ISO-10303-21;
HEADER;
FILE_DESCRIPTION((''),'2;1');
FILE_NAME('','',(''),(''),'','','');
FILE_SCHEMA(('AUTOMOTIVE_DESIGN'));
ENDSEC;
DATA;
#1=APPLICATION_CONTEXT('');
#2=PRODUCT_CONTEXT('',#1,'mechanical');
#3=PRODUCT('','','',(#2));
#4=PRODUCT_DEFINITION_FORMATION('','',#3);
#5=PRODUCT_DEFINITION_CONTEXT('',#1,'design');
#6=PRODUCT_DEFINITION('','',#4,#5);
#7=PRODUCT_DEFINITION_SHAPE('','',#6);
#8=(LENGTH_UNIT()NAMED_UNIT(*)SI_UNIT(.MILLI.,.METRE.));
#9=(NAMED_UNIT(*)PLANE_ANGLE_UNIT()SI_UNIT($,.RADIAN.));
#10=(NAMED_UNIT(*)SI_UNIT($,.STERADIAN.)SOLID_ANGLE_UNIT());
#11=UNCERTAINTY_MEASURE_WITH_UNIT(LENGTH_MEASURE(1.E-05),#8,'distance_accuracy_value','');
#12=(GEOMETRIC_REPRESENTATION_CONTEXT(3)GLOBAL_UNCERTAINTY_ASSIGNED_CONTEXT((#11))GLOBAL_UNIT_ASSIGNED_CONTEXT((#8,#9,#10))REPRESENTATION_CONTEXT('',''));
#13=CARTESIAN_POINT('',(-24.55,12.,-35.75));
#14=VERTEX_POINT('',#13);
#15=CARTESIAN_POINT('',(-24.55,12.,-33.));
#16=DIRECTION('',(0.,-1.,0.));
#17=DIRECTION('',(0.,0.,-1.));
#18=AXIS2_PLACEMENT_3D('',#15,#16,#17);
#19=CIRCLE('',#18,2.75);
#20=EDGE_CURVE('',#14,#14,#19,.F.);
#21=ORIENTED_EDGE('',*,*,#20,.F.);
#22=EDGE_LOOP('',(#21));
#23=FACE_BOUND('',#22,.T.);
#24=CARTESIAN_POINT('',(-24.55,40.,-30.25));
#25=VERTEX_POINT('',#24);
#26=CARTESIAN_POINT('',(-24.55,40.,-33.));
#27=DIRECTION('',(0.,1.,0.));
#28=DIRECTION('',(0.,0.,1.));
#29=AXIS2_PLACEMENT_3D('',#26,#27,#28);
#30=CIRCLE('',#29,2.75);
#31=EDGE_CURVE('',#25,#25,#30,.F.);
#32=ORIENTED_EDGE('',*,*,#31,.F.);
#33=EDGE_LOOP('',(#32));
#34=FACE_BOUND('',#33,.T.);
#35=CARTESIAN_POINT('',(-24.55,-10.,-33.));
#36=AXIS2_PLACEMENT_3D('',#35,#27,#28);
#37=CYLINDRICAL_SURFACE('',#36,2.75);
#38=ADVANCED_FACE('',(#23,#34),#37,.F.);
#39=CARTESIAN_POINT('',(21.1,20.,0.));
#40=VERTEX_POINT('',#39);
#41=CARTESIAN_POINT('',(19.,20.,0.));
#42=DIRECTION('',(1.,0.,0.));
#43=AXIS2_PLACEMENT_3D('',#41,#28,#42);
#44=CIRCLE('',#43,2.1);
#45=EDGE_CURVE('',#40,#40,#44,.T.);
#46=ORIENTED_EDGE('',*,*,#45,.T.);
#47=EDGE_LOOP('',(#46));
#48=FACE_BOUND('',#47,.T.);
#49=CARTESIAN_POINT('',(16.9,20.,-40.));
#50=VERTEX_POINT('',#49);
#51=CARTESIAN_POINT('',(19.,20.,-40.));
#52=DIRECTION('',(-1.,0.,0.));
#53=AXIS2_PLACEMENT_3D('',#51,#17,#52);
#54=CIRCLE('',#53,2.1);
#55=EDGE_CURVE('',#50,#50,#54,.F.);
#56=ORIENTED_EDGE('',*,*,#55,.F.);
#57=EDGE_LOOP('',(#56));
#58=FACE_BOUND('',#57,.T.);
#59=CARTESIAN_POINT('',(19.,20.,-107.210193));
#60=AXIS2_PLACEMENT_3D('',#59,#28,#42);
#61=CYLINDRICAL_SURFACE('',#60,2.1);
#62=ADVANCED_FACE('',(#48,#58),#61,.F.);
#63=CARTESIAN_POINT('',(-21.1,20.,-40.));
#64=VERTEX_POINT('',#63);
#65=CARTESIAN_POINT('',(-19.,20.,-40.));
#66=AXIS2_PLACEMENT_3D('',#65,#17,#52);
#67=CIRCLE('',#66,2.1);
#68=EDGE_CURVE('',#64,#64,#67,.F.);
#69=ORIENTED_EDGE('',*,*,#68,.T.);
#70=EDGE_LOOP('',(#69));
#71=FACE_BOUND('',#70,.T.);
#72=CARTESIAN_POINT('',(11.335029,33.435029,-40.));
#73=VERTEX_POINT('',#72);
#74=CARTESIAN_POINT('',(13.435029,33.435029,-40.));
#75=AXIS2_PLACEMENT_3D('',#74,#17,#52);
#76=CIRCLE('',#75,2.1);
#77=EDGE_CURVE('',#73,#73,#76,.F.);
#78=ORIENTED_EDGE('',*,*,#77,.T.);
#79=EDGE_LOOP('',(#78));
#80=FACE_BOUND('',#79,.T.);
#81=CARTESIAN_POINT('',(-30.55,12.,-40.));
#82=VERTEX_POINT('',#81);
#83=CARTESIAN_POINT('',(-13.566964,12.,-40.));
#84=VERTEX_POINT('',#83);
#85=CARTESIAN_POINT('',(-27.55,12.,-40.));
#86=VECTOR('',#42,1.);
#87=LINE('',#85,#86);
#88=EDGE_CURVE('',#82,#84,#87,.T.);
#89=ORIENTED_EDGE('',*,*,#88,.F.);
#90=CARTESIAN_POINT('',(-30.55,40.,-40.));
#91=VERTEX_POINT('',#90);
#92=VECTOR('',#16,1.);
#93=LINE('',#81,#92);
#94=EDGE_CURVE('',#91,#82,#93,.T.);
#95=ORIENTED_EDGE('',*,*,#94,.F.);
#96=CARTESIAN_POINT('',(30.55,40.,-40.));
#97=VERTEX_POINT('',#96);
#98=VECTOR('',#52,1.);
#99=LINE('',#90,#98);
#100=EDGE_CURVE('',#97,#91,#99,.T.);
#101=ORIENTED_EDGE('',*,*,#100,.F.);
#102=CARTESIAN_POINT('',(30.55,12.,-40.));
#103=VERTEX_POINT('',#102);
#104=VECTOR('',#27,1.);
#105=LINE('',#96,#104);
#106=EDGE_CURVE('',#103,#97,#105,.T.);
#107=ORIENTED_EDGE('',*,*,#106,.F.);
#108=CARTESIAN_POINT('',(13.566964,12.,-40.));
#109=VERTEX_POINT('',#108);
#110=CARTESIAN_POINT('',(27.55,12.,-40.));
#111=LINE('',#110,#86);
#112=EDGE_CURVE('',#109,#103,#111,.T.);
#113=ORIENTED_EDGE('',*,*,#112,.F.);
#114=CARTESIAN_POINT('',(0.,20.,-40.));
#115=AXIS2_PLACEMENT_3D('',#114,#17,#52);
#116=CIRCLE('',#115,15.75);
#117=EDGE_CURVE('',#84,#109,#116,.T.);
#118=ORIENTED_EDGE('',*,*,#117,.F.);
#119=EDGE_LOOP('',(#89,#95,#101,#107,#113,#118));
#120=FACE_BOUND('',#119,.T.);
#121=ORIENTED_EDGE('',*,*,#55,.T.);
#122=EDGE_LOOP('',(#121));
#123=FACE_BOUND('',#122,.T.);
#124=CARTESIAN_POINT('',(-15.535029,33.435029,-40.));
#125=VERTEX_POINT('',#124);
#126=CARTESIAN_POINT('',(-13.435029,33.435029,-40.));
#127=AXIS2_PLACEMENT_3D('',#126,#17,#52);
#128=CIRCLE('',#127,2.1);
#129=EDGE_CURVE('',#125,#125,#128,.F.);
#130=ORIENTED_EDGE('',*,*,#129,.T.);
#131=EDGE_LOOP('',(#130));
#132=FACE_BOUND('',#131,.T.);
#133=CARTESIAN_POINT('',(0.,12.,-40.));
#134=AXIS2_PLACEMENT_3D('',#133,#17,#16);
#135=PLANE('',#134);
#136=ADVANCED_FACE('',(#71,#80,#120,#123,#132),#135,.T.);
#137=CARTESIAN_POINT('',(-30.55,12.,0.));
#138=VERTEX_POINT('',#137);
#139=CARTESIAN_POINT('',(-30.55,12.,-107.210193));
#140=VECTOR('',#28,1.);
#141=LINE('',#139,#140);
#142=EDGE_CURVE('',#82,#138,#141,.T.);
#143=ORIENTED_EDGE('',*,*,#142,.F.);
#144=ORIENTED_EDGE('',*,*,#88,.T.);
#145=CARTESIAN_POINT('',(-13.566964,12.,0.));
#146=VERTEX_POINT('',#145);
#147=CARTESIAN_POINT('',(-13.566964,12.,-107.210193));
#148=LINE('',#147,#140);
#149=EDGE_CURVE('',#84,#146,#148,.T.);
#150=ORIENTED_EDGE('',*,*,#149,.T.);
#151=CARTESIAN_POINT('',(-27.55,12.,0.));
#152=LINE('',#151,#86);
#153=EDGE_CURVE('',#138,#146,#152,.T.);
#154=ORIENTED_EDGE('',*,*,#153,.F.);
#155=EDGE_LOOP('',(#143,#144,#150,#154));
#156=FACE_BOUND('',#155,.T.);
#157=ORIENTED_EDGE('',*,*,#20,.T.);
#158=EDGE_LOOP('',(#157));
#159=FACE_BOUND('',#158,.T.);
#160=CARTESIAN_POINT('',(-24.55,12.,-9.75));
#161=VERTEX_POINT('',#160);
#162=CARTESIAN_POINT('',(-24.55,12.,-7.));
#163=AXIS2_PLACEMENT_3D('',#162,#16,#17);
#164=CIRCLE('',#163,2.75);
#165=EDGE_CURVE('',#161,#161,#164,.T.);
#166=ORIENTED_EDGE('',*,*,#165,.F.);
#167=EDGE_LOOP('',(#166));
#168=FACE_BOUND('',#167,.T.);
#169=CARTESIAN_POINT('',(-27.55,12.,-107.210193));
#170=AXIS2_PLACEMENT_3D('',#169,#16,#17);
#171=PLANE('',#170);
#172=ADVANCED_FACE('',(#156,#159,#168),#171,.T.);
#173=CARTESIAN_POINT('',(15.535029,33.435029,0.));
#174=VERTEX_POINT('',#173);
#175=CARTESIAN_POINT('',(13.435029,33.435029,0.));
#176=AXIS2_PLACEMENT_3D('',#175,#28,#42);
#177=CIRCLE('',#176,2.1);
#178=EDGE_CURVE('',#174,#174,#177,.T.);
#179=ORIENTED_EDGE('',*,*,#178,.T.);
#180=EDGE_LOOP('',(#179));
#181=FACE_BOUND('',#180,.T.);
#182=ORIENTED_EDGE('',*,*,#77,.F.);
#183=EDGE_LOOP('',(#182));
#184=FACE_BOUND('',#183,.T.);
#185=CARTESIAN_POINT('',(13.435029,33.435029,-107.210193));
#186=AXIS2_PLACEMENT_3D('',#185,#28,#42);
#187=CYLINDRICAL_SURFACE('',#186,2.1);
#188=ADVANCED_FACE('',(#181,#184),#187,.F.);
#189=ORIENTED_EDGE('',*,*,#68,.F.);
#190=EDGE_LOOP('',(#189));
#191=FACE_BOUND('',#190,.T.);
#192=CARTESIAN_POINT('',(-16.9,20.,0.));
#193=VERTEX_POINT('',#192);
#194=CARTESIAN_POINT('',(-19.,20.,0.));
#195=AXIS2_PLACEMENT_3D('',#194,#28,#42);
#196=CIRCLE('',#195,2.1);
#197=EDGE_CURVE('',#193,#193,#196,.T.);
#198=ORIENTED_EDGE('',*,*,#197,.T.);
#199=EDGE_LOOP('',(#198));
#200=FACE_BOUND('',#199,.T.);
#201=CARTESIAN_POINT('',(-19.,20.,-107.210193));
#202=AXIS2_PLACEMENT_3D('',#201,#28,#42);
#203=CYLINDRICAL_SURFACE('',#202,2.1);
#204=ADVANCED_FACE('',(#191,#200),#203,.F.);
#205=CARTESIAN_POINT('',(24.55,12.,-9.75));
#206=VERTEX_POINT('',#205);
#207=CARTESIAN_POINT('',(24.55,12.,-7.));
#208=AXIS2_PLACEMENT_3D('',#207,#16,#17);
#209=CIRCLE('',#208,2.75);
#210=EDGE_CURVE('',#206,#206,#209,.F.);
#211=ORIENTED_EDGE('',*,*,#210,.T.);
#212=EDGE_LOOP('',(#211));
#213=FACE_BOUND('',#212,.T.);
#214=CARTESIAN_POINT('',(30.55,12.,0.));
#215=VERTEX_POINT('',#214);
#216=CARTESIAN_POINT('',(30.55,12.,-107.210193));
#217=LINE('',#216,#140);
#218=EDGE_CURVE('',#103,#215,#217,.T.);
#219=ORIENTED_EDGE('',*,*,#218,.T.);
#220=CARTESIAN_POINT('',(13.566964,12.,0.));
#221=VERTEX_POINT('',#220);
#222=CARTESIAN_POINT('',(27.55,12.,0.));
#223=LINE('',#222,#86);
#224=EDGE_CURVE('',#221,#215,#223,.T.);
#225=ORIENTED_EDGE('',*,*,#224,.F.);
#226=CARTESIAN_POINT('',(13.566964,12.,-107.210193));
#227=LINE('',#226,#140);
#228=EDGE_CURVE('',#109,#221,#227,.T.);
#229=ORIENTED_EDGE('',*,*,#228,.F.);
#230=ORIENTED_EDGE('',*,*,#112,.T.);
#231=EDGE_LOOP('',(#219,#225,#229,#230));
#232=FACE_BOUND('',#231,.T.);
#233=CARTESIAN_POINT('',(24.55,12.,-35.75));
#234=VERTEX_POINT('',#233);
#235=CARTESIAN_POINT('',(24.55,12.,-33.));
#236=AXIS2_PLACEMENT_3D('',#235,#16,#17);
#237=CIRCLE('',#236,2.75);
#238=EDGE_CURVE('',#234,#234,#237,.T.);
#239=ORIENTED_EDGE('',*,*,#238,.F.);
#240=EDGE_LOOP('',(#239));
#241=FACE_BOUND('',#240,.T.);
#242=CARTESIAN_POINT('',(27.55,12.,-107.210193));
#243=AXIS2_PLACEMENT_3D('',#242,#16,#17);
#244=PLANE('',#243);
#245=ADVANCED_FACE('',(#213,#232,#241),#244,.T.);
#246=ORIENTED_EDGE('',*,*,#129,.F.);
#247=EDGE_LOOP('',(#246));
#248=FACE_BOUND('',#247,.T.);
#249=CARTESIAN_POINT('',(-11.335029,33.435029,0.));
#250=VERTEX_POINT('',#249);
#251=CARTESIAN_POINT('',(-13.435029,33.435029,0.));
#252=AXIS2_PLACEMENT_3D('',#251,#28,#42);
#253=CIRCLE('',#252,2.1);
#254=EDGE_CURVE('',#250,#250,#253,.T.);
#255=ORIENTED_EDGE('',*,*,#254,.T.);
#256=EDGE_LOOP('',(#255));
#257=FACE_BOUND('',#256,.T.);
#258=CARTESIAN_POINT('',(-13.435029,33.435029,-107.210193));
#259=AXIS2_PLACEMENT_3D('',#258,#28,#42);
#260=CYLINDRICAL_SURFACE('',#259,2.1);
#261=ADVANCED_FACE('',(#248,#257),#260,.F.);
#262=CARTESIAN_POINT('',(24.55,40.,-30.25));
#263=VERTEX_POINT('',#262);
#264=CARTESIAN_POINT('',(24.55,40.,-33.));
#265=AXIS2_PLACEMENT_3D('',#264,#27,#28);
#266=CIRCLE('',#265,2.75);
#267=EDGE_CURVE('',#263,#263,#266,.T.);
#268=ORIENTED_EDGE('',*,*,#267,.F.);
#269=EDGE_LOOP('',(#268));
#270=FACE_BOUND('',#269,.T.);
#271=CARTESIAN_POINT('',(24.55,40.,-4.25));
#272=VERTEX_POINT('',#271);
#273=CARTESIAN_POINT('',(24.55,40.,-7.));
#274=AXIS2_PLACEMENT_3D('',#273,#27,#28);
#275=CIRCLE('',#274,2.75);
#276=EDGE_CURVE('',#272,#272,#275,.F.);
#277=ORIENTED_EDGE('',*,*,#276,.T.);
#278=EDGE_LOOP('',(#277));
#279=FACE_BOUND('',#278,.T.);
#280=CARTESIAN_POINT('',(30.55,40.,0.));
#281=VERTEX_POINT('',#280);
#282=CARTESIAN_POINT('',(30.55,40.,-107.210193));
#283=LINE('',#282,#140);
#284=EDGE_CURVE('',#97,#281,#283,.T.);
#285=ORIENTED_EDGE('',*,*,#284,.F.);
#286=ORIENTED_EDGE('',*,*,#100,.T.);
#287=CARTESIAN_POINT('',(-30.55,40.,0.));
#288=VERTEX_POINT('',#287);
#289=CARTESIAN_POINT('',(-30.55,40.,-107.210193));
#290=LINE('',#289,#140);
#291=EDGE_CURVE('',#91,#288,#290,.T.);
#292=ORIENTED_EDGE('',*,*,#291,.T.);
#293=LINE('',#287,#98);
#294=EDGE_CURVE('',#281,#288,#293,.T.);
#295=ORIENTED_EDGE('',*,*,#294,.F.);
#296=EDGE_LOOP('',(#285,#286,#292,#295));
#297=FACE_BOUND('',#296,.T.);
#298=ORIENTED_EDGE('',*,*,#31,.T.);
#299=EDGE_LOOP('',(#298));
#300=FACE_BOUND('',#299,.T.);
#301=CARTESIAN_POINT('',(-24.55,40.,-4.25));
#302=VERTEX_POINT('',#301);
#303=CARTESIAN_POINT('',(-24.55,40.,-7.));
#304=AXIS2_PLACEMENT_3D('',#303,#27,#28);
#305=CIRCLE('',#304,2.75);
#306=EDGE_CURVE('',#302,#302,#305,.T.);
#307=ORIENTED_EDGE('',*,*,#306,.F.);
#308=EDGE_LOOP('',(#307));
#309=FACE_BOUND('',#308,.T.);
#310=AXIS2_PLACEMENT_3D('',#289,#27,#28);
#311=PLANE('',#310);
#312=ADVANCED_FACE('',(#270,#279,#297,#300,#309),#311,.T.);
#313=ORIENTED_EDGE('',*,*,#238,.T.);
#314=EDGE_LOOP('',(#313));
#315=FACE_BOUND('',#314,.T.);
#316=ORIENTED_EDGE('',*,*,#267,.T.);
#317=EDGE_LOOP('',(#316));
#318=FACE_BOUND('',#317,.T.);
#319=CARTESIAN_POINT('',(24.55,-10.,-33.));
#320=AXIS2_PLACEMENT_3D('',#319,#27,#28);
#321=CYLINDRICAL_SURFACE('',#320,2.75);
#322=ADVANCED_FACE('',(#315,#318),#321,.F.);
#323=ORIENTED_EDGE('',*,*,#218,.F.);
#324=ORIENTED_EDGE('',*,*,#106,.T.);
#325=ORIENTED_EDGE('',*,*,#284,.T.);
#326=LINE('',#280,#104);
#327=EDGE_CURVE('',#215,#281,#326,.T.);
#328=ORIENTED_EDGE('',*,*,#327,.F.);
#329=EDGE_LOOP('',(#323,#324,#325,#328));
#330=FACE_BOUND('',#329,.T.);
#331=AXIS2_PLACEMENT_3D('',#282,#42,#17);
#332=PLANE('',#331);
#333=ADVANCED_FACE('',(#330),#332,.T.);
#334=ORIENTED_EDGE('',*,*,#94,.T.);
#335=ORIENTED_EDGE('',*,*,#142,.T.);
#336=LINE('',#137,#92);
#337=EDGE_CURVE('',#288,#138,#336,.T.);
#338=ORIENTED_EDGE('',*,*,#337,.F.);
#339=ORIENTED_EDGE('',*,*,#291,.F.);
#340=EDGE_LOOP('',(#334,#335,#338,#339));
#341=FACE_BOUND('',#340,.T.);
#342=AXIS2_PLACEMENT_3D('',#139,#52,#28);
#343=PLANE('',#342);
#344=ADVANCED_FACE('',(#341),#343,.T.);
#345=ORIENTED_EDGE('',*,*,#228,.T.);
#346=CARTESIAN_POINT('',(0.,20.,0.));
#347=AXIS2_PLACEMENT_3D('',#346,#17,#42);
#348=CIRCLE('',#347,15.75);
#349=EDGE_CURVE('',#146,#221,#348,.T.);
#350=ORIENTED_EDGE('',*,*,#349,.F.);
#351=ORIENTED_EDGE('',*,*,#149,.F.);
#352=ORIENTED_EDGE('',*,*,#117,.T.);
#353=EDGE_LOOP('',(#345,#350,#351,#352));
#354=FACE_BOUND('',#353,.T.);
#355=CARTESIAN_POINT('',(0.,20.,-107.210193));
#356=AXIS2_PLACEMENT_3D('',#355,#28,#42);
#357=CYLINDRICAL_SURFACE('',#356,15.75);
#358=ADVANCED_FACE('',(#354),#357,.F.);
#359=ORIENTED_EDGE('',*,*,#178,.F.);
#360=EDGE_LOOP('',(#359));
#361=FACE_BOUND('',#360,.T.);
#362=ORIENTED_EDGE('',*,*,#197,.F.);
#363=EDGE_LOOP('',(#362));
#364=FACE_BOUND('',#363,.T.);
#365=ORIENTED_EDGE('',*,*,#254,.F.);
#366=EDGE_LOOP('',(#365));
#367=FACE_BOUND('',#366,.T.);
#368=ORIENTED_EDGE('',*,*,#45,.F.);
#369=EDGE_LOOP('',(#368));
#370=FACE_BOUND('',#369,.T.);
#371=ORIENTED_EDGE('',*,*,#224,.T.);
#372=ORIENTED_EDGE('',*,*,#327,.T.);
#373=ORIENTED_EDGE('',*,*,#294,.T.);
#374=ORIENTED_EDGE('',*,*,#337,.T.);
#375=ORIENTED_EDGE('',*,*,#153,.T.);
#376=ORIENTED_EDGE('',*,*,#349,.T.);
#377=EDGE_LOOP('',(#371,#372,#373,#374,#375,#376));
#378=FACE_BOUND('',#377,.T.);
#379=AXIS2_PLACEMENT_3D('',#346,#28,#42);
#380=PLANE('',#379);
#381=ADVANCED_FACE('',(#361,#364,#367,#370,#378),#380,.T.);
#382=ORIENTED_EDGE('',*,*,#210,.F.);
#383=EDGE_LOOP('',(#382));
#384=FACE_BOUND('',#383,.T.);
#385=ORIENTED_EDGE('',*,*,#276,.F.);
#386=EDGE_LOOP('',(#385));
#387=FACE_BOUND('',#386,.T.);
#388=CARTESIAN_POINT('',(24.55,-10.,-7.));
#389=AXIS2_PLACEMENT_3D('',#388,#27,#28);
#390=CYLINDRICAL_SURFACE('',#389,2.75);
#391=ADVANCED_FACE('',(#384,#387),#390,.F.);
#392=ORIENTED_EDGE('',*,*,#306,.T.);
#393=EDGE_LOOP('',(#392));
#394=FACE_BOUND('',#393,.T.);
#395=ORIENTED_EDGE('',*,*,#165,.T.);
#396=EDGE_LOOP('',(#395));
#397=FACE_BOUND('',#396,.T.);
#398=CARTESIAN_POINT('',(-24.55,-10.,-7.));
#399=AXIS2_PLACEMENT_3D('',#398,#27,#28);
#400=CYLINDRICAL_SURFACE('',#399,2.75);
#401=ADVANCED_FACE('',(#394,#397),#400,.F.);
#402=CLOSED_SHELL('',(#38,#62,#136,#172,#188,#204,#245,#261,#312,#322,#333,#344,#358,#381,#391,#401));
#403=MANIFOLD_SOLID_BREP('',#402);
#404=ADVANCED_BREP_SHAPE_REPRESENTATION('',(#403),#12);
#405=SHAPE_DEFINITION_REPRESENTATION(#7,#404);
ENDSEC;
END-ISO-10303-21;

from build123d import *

# Parameters (mm, degrees)
SKETCH1_R           = 2.1
BOSS_EXTRUDE1_DEPTH = 40
SKETCH2_R           = 2.75
CUT_EXTRUDE1_DEPTH  = 50


with BuildPart() as part:
    # Sketch1 → Boss-Extrude1 (new body)
    with BuildSketch(Plane.XY):
        with BuildLine():
            Line((13.266499161, 40), (-13.266499161, 40))
            Line((-13.266499161, 40), (-27.55, 40))
            Line((-27.55, 40), (-30.55, 40))
            Line((-30.55, 40), (-30.55, 12))
            Line((-30.55, 12), (-27.55, 12))
            Line((-27.55, 12), (-13.566963551, 12))
            ThreePointArc((-13.566963551, 12), (0, 35.75), (13.566963551, 12))
            Line((13.566963551, 12), (27.55, 12))
            Line((27.55, 12), (30.55, 12))
            Line((30.55, 12), (30.55, 40))
            Line((30.55, 40), (27.55, 40))
            Line((27.55, 40), (13.266499161, 40))
        make_face()
        with Locations((-13.435028843, 33.435028843)):
            Circle(SKETCH1_R, mode=Mode.SUBTRACT)
        with Locations((19, 20)):
            Circle(SKETCH1_R, mode=Mode.SUBTRACT)
        with Locations((13.435028843, 33.435028843)):
            Circle(SKETCH1_R, mode=Mode.SUBTRACT)
        with Locations((-19, 20)):
            Circle(SKETCH1_R, mode=Mode.SUBTRACT)
    extrude(amount=-BOSS_EXTRUDE1_DEPTH)

    # Sketch2 → Cut-Extrude1 (cut)
    with BuildSketch(Plane(origin=(0, 40, 0), x_dir=(1, 0, 0), z_dir=(0, 1, 0))):
        with Locations(Location((-24.55, 33, 0), (0, 0, 270))):
            Circle(SKETCH2_R)
        with Locations(Location((-24.55, 7, 0), (0, 0, 270))):
            Circle(SKETCH2_R)
        with Locations(Location((24.55, 7, 0), (0, 0, 270))):
            Circle(SKETCH2_R)
        with Locations(Location((24.55, 33, 0), (0, 0, 270))):
            Circle(SKETCH2_R)
    extrude(amount=-CUT_EXTRUDE1_DEPTH, mode=Mode.SUBTRACT)


solid = part.part
